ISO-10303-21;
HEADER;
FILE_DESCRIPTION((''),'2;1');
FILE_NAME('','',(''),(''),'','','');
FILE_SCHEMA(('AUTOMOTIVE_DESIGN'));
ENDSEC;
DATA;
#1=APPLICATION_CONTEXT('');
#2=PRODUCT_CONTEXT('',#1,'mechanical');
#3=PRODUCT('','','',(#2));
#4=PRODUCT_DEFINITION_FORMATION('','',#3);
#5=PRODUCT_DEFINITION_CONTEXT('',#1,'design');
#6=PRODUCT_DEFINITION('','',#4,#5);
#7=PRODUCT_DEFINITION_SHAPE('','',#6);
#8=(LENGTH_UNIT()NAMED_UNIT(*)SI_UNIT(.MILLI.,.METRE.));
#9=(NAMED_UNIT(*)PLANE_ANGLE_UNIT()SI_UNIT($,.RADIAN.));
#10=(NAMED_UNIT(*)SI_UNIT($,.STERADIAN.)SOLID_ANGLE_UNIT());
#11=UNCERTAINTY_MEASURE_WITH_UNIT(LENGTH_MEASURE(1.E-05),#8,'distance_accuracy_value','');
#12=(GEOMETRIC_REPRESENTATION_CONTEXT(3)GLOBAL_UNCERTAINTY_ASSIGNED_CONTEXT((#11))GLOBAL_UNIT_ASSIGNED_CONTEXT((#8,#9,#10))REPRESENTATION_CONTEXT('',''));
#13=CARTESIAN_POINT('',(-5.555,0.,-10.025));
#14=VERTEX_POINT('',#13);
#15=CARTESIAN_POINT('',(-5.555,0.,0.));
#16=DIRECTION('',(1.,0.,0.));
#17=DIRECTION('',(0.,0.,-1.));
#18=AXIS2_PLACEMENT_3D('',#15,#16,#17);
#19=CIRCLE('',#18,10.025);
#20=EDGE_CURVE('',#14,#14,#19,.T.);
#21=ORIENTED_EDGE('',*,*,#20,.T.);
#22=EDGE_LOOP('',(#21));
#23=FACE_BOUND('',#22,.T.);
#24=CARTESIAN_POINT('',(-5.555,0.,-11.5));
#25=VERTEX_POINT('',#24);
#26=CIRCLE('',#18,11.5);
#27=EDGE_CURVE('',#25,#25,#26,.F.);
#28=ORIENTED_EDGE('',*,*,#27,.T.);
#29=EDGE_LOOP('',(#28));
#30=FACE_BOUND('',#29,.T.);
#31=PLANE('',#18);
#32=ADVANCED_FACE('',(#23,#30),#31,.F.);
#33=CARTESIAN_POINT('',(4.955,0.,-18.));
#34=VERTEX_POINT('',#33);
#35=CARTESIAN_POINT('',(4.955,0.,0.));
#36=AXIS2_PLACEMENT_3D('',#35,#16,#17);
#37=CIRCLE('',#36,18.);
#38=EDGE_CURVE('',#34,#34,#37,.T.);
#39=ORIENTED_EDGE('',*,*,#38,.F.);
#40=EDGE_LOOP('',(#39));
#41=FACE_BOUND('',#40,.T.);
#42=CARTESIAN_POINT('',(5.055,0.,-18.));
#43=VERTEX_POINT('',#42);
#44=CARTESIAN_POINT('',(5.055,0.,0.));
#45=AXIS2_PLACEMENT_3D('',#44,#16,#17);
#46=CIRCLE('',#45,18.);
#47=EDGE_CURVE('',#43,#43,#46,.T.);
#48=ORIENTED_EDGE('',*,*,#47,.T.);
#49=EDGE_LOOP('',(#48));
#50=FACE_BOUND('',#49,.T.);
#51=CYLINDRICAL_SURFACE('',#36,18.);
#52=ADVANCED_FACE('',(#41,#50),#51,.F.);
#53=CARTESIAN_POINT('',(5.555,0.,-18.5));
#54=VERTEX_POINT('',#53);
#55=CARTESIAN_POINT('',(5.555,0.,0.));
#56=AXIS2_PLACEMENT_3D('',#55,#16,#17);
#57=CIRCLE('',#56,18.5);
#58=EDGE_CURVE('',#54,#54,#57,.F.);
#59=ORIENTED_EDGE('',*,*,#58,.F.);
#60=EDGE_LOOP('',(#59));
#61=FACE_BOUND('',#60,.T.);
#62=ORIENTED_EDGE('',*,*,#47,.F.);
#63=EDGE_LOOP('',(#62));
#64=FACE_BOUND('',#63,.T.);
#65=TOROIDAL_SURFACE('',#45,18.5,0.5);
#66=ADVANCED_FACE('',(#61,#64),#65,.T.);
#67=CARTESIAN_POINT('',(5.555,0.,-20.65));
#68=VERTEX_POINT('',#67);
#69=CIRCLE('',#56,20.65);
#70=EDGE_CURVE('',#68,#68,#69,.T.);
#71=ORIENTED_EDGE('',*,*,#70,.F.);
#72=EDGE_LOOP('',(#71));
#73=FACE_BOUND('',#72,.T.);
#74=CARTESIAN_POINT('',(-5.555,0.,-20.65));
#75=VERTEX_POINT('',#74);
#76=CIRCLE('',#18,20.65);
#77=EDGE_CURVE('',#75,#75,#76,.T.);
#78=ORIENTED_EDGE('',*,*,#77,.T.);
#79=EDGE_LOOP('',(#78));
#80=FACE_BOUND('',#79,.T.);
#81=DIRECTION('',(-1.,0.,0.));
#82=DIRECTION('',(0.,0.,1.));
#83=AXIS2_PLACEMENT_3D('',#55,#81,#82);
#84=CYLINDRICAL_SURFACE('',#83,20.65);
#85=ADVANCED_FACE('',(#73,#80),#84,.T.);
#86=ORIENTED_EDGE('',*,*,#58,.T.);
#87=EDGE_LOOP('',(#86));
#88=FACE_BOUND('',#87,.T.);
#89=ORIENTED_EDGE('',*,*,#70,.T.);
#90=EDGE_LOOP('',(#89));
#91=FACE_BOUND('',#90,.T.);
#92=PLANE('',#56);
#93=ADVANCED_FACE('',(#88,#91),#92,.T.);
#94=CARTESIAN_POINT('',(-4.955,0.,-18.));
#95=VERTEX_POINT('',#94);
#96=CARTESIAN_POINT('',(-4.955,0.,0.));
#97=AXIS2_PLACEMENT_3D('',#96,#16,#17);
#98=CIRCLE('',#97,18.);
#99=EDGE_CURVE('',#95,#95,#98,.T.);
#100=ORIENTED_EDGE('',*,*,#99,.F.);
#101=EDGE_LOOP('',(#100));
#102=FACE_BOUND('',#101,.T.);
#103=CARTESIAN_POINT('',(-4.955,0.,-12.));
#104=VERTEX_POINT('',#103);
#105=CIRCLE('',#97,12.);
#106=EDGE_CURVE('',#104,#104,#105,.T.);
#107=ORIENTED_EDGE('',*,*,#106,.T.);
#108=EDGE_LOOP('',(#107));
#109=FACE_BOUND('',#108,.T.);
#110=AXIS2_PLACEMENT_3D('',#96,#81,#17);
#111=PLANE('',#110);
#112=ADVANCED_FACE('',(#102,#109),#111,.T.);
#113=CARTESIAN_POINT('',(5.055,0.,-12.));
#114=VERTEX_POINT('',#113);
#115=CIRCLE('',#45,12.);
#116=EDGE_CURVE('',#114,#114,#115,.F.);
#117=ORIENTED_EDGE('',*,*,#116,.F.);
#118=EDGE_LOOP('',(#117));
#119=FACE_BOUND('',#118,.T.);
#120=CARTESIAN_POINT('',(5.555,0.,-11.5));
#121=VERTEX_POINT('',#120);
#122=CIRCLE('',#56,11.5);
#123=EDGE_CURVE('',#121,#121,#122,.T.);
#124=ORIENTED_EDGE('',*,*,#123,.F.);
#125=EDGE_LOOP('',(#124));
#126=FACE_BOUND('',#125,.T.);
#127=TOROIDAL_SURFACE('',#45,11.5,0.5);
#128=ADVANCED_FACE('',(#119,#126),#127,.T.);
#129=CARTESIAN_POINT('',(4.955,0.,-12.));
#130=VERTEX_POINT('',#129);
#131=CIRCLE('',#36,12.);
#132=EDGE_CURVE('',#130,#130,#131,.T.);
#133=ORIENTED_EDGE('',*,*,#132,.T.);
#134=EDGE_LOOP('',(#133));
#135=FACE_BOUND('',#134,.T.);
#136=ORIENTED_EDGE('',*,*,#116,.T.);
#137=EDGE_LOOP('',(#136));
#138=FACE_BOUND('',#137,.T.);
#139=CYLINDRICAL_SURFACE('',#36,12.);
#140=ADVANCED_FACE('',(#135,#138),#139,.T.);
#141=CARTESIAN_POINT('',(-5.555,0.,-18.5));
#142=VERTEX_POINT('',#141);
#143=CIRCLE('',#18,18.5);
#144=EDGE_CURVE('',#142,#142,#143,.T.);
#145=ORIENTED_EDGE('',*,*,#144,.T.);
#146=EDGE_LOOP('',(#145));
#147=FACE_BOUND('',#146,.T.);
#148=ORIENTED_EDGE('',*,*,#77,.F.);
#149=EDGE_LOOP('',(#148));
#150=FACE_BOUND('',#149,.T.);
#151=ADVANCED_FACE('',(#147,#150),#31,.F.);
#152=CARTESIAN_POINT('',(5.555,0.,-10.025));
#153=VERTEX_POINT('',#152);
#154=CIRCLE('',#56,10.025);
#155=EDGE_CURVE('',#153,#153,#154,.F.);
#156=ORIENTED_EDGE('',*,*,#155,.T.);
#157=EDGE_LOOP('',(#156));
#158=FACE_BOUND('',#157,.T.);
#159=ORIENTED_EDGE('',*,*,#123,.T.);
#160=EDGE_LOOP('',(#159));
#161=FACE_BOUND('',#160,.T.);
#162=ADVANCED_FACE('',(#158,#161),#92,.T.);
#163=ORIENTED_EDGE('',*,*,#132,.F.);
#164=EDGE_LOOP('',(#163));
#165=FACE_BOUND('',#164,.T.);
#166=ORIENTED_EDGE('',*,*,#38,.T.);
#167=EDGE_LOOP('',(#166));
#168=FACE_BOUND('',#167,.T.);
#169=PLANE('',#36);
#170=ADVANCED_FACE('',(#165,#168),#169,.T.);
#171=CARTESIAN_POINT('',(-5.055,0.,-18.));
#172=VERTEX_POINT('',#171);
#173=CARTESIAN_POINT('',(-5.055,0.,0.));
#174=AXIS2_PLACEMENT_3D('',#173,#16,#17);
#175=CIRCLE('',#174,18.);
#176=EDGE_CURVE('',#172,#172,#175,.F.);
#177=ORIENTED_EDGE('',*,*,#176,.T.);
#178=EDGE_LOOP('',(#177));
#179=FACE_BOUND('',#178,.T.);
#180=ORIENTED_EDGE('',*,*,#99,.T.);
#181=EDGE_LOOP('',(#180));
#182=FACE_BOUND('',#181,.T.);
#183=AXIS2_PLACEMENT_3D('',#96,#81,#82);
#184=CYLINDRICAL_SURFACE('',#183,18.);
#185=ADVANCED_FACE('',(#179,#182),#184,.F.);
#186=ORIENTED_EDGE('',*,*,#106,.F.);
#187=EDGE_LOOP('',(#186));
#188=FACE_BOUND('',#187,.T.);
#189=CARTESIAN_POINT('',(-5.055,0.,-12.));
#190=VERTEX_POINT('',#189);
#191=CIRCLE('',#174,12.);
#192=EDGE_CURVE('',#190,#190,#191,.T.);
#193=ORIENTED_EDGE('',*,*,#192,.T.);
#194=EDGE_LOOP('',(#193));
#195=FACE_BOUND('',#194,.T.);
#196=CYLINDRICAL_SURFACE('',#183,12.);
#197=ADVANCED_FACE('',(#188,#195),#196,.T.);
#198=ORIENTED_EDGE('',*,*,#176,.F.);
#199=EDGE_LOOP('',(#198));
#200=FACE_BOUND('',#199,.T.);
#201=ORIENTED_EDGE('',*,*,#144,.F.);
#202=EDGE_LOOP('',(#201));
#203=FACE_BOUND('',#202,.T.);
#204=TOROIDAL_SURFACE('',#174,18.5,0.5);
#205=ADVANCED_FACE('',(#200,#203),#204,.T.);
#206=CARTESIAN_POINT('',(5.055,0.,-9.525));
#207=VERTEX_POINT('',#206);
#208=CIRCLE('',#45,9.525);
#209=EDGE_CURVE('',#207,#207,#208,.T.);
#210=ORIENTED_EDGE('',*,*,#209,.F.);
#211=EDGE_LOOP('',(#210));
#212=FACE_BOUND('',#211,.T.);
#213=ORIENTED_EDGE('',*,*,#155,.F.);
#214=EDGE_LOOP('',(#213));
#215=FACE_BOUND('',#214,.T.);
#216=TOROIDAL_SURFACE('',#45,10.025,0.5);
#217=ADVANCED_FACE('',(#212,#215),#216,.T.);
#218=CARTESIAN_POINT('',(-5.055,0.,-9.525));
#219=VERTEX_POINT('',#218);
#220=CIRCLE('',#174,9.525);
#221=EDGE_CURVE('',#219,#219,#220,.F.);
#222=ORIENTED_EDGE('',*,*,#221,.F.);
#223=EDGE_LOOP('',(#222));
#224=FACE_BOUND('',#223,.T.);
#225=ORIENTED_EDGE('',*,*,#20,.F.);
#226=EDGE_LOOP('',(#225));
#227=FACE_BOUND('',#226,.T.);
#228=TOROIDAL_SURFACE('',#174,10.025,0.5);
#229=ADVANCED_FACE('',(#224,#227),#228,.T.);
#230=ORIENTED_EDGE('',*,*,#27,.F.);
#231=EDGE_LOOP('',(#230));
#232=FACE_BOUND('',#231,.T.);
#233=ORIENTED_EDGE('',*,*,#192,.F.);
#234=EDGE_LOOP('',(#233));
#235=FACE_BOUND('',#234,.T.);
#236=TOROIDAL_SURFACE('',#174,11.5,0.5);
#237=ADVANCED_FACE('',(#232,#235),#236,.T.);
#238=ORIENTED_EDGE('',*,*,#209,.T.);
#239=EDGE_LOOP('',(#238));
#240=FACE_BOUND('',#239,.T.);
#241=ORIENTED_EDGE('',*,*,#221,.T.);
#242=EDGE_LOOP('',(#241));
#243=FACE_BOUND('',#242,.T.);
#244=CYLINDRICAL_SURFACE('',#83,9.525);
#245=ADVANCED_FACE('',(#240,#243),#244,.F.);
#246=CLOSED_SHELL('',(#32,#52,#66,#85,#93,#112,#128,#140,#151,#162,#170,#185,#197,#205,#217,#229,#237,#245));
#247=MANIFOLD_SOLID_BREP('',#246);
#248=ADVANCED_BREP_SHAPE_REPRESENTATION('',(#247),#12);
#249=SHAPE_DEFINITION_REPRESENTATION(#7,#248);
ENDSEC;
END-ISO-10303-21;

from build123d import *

# Parameters (mm, degrees)
CROQUIS1_R              = 20.65
CROQUIS1_R_2            = 9.525
SALIENTE_EXTRUIR1_DEPTH = 5.555
CROQUIS2_R              = 18
CROQUIS2_R_2            = 12
CORTAR_EXTRUIR1_DEPTH   = 0.6
REDONDEO1_R             = 0.5


with BuildPart() as part:
    # Croquis1 → Saliente-Extruir1 (new, symmetric)
    with BuildSketch(Plane(origin=(0, 0, 0), x_dir=(0, 0, -1), z_dir=(1, 0, 0))):
        Circle(CROQUIS1_R)
        Circle(CROQUIS1_R_2, mode=Mode.SUBTRACT)
    extrude(amount=SALIENTE_EXTRUIR1_DEPTH, both=True)

    # Croquis2 → Cortar-Extruir1 (cut)
    with BuildSketch(Plane(origin=(5.555, 0, 0), x_dir=(0, 0, -1), z_dir=(1, 0, 0))):
        Circle(CROQUIS2_R)
        Circle(CROQUIS2_R_2, mode=Mode.SUBTRACT)
    cortar_extruir1 = extrude(amount=-CORTAR_EXTRUIR1_DEPTH, mode=Mode.SUBTRACT)

    # Simetría2: Cortar-Extruir1 across plane
    add(cortar_extruir1.mirror(Plane(origin=(0, 0, 0), x_dir=(0, 0, 1), z_dir=(1, 0, 0))), mode=Mode.SUBTRACT)

    # Redondeo1
    redondeo1_edges = [part.edges().sort_by_distance(p)[0] for p in [
        (5.555, 0, 18),
        (5.555, 0, 12),
        (-5.555, 0, 12),
        (-5.555, 0, 18),
        (-5.555, 0, 9.525),
        (5.555, 0, 9.525),
    ]]
    fillet(redondeo1_edges, radius=REDONDEO1_R)


solid = part.part
